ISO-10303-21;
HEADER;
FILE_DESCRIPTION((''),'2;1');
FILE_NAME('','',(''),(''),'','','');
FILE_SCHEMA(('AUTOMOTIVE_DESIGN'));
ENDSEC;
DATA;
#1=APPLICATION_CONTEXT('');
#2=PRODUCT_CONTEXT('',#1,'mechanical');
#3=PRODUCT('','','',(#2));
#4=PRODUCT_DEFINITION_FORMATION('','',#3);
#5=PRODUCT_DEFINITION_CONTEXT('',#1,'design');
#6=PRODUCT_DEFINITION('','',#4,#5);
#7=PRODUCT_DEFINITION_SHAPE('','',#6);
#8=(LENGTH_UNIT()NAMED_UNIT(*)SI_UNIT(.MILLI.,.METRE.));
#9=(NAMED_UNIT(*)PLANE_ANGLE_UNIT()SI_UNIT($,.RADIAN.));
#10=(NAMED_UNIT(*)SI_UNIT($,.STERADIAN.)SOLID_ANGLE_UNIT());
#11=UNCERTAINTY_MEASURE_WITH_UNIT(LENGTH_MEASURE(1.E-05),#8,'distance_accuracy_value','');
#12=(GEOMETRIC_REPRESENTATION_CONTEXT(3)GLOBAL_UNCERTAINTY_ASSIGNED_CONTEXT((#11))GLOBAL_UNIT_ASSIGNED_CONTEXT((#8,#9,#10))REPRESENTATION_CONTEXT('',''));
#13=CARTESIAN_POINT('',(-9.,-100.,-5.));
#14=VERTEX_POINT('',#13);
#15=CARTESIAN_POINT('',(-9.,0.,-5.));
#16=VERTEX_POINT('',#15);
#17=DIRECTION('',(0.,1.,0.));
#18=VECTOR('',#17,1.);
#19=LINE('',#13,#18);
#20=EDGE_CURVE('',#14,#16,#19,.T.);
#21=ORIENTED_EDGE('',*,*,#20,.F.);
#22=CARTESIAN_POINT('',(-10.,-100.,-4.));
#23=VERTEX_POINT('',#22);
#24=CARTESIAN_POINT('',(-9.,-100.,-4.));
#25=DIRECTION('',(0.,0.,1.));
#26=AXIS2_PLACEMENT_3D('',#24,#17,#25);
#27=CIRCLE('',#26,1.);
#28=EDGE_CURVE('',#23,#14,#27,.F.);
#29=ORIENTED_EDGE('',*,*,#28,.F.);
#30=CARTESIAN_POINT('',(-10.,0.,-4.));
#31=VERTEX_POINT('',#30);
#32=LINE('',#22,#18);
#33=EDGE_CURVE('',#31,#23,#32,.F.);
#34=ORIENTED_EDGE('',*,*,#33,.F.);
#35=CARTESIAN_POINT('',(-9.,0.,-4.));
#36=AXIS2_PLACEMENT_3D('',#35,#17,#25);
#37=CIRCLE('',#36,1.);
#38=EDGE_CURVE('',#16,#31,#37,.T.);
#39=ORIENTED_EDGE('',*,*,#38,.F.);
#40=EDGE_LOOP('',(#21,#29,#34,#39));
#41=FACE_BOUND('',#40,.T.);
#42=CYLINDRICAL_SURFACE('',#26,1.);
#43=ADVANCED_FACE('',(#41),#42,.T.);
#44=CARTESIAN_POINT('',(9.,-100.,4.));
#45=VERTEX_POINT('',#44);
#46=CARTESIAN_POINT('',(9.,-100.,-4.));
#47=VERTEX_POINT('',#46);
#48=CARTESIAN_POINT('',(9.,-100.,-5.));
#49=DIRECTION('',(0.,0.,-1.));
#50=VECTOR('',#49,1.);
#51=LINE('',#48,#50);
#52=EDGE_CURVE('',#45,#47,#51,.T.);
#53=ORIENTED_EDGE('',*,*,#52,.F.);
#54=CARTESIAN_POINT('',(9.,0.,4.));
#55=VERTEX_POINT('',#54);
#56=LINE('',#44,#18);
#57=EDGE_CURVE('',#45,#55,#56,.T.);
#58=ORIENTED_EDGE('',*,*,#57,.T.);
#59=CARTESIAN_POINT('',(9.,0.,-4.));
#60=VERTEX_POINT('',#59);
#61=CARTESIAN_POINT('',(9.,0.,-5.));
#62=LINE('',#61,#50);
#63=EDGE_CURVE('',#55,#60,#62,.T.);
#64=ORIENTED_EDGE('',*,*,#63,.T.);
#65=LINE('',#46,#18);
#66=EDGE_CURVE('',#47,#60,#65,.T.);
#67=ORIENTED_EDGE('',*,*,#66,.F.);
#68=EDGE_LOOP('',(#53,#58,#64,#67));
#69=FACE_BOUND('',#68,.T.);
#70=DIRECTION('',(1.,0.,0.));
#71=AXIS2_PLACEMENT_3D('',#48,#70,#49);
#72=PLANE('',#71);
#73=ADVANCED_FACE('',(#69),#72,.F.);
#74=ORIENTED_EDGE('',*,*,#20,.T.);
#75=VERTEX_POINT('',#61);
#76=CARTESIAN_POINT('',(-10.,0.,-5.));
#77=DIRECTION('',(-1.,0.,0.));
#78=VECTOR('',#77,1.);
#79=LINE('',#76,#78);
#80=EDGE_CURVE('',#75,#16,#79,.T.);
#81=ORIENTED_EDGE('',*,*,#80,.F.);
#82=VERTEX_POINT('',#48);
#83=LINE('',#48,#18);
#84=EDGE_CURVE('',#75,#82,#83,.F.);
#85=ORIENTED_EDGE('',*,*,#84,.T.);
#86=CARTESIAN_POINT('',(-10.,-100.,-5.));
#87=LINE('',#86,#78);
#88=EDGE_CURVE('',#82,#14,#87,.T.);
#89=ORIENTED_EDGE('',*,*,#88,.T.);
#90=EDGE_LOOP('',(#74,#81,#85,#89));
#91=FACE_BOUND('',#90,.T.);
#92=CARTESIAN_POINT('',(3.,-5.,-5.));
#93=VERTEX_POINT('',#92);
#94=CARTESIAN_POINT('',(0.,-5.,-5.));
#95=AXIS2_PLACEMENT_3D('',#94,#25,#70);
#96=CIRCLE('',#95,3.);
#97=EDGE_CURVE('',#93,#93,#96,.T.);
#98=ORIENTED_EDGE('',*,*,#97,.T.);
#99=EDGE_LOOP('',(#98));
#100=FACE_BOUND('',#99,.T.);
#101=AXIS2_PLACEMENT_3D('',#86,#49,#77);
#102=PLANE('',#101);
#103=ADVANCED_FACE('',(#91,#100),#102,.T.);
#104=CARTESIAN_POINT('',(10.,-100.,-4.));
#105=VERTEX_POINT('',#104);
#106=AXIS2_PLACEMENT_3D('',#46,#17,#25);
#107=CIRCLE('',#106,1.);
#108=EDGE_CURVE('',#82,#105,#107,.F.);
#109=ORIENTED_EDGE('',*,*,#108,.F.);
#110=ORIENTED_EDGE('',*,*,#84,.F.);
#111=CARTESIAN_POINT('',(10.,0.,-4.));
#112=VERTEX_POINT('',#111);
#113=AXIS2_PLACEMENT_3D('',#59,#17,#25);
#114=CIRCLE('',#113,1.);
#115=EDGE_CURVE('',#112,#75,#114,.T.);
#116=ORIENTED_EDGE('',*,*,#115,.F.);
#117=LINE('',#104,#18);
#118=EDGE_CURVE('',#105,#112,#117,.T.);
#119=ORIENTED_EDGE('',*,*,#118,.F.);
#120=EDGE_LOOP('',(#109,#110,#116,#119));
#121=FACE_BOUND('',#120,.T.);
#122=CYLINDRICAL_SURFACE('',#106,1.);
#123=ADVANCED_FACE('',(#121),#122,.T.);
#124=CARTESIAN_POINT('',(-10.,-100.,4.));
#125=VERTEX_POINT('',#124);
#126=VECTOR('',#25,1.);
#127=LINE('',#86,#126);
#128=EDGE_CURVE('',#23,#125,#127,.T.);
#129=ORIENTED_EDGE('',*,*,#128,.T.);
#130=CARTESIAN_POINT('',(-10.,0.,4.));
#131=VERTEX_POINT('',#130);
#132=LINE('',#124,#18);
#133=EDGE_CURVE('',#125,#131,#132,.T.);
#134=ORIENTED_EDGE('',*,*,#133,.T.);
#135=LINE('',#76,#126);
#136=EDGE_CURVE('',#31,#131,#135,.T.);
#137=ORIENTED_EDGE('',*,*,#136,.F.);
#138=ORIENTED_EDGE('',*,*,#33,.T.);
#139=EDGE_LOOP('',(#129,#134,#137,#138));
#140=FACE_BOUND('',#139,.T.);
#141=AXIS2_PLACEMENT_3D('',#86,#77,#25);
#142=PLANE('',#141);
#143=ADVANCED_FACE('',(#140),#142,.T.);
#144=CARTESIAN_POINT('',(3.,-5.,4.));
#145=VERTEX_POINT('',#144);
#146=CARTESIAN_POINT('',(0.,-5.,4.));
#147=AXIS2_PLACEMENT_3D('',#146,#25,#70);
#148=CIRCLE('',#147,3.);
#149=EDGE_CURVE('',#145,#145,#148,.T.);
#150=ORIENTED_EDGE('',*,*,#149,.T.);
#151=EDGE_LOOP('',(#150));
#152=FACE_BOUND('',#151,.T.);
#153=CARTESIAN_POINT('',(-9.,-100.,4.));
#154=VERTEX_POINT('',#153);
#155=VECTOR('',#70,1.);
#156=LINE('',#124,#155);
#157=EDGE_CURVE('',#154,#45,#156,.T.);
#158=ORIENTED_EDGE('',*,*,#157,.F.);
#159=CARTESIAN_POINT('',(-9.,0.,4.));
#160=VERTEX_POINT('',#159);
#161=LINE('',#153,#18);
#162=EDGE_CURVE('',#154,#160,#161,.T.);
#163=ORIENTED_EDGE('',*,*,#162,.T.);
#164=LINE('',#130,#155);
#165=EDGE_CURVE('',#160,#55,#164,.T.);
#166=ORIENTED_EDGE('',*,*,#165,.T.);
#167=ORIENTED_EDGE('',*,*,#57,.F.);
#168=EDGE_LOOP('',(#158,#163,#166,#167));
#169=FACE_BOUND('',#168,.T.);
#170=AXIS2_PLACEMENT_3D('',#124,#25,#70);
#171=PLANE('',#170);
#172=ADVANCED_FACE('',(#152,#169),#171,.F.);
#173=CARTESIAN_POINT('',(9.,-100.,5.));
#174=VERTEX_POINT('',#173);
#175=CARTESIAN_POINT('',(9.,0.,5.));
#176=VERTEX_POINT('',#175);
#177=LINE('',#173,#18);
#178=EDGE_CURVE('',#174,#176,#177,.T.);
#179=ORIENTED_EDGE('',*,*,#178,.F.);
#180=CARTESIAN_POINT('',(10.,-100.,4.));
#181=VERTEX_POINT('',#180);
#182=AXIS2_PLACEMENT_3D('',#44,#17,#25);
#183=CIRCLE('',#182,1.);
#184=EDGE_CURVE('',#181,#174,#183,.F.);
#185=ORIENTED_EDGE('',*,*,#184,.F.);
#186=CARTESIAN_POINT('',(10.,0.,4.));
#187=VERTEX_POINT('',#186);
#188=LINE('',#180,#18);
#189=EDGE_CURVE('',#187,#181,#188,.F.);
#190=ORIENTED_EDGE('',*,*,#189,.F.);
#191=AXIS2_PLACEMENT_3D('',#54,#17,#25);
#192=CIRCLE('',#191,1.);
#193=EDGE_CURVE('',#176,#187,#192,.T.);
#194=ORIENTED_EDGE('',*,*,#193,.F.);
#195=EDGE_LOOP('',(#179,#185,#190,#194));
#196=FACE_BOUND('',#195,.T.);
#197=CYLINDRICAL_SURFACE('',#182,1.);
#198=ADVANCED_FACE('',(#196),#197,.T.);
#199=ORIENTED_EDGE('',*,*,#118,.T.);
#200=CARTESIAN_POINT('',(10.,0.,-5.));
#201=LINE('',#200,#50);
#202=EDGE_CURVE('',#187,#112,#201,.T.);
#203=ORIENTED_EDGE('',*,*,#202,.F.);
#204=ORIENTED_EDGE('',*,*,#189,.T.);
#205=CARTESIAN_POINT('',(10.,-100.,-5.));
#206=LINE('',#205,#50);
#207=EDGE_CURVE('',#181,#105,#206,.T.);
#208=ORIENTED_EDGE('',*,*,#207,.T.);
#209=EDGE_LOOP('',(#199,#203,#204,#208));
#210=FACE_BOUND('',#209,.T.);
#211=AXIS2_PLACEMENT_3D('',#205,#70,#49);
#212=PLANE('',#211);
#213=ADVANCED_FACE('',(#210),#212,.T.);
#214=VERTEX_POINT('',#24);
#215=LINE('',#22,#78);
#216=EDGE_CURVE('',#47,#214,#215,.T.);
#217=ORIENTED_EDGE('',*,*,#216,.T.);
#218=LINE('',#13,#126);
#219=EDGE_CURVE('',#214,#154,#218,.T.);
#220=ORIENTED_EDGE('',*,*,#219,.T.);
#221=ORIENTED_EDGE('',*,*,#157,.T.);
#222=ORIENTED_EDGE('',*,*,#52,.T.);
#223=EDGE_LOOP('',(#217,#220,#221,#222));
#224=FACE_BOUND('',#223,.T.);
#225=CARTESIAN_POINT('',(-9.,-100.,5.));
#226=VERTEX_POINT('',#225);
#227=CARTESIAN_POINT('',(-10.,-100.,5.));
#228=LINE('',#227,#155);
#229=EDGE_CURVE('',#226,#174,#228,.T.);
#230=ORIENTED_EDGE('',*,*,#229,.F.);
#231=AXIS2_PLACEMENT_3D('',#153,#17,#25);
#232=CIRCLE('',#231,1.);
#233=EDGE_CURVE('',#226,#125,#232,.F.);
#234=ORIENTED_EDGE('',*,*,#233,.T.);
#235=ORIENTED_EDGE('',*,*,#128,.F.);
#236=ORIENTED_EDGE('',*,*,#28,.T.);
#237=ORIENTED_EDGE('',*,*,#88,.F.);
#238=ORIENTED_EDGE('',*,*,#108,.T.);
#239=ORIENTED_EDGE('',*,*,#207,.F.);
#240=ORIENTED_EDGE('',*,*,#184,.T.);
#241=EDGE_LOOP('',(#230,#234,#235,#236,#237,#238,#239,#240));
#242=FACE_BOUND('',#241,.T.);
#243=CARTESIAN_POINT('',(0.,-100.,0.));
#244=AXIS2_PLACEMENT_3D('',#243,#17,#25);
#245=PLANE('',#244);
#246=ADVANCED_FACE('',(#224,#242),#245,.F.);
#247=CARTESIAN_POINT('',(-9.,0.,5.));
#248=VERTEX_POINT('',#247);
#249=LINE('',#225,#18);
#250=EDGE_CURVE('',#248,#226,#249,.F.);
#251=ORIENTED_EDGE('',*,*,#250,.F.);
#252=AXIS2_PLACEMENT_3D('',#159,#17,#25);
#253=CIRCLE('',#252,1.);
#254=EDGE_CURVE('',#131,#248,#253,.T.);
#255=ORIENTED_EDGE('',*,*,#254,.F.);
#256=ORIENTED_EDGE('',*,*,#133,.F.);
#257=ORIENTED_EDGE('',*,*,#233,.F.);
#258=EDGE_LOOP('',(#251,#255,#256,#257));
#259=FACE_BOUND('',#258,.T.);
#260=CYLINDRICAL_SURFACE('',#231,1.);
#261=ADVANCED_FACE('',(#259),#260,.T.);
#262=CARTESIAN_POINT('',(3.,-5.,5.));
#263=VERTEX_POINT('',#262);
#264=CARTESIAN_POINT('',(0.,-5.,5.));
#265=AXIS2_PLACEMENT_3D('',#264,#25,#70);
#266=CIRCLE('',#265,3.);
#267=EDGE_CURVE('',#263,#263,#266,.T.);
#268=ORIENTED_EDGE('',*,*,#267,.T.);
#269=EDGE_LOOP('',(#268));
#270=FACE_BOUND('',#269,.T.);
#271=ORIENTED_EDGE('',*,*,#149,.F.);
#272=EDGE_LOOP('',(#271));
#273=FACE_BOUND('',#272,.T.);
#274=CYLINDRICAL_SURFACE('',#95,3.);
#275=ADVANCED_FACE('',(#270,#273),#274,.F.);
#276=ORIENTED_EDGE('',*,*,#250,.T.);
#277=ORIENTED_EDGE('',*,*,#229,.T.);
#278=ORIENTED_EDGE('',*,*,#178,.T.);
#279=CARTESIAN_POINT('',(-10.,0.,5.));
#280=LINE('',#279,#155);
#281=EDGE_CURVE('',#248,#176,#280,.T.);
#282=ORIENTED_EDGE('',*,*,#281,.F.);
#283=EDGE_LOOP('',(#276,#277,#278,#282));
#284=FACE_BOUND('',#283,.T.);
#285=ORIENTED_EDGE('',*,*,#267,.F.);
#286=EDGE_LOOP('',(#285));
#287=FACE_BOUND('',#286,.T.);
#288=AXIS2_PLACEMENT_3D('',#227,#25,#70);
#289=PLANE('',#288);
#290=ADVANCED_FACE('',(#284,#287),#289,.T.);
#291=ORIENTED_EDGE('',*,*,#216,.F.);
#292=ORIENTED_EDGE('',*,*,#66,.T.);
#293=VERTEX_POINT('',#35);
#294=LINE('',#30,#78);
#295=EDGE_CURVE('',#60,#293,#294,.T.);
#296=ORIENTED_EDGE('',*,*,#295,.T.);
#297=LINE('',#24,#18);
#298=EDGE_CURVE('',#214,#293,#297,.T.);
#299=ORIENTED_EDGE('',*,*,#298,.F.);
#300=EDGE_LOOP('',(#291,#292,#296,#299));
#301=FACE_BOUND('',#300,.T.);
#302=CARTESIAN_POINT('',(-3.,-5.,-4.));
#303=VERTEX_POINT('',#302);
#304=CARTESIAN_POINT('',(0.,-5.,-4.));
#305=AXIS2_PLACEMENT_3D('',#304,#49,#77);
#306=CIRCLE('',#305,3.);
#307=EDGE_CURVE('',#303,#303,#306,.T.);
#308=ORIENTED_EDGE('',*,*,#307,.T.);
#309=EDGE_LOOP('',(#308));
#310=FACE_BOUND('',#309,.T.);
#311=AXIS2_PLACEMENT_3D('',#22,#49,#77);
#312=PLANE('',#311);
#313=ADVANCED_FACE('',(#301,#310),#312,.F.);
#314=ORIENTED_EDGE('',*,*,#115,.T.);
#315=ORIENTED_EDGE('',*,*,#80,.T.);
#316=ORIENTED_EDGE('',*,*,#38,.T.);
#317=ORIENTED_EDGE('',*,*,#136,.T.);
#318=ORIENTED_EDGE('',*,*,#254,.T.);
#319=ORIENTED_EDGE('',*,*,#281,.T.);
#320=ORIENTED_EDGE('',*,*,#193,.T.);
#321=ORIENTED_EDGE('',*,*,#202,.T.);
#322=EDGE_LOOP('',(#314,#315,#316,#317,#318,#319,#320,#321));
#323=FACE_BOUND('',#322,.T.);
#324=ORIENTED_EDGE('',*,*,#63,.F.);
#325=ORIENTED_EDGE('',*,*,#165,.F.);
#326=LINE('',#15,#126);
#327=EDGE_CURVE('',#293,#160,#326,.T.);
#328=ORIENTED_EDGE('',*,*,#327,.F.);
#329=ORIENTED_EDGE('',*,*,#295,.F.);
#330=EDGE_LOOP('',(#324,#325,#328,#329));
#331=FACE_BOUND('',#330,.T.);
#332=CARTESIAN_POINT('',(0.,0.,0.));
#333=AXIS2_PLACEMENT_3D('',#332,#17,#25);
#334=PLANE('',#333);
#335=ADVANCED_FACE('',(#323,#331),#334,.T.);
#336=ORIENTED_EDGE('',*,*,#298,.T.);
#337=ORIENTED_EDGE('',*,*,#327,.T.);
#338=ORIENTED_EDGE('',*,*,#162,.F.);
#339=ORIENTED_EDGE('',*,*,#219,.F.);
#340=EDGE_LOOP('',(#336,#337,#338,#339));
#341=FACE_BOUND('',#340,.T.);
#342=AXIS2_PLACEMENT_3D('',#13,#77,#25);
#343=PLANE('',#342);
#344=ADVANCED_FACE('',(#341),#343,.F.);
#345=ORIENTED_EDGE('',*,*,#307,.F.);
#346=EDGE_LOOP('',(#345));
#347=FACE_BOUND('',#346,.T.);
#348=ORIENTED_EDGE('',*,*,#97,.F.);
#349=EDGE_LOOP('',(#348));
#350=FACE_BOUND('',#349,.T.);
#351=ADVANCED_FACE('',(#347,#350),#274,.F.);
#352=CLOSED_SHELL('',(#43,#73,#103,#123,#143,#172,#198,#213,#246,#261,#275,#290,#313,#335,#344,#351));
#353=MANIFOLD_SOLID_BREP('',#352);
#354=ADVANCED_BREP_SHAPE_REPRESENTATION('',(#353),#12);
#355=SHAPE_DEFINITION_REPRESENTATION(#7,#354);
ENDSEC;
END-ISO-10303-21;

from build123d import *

# Parameters (mm, degrees)
SCHIZZO2_W                = 20
SCHIZZO2_H                = 10
SCHIZZO2_W_2              = 18
SCHIZZO2_H_2              = 8
ESTRUSIONE_SOTTILE1_DEPTH = 100
SCHIZZO3_R                = 3
TAGLIO_ESTRUSIONE1_DEPTH  = 101.995049384
RACCORDO6_R               = 1


with BuildPart() as part:
    # Schizzo2 → Estrusione-Sottile1 (new body)
    with BuildSketch(Plane(origin=(0, 0, 0), x_dir=(1, 0, 0), z_dir=(0, 1, 0))):
        Rectangle(SCHIZZO2_W, SCHIZZO2_H)
        Rectangle(SCHIZZO2_W_2, SCHIZZO2_H_2, mode=Mode.SUBTRACT)
    extrude(amount=-ESTRUSIONE_SOTTILE1_DEPTH)

    # Schizzo3 → Taglio-Estrusione1 (cut, through all)
    with BuildSketch(Plane.XY.offset(5)):
        with Locations((0, -5)):
            Circle(SCHIZZO3_R)
    extrude(amount=-TAGLIO_ESTRUSIONE1_DEPTH, mode=Mode.SUBTRACT)

    # Raccordo6
    raccordo6_edges = [part.edges().sort_by_distance(p)[0] for p in [
        (10, -50, 5),
        (-10, -50, 5),
        (-10, -50, -5),
        (10, -50, -5),
    ]]
    fillet(raccordo6_edges, radius=RACCORDO6_R)


solid = part.part
